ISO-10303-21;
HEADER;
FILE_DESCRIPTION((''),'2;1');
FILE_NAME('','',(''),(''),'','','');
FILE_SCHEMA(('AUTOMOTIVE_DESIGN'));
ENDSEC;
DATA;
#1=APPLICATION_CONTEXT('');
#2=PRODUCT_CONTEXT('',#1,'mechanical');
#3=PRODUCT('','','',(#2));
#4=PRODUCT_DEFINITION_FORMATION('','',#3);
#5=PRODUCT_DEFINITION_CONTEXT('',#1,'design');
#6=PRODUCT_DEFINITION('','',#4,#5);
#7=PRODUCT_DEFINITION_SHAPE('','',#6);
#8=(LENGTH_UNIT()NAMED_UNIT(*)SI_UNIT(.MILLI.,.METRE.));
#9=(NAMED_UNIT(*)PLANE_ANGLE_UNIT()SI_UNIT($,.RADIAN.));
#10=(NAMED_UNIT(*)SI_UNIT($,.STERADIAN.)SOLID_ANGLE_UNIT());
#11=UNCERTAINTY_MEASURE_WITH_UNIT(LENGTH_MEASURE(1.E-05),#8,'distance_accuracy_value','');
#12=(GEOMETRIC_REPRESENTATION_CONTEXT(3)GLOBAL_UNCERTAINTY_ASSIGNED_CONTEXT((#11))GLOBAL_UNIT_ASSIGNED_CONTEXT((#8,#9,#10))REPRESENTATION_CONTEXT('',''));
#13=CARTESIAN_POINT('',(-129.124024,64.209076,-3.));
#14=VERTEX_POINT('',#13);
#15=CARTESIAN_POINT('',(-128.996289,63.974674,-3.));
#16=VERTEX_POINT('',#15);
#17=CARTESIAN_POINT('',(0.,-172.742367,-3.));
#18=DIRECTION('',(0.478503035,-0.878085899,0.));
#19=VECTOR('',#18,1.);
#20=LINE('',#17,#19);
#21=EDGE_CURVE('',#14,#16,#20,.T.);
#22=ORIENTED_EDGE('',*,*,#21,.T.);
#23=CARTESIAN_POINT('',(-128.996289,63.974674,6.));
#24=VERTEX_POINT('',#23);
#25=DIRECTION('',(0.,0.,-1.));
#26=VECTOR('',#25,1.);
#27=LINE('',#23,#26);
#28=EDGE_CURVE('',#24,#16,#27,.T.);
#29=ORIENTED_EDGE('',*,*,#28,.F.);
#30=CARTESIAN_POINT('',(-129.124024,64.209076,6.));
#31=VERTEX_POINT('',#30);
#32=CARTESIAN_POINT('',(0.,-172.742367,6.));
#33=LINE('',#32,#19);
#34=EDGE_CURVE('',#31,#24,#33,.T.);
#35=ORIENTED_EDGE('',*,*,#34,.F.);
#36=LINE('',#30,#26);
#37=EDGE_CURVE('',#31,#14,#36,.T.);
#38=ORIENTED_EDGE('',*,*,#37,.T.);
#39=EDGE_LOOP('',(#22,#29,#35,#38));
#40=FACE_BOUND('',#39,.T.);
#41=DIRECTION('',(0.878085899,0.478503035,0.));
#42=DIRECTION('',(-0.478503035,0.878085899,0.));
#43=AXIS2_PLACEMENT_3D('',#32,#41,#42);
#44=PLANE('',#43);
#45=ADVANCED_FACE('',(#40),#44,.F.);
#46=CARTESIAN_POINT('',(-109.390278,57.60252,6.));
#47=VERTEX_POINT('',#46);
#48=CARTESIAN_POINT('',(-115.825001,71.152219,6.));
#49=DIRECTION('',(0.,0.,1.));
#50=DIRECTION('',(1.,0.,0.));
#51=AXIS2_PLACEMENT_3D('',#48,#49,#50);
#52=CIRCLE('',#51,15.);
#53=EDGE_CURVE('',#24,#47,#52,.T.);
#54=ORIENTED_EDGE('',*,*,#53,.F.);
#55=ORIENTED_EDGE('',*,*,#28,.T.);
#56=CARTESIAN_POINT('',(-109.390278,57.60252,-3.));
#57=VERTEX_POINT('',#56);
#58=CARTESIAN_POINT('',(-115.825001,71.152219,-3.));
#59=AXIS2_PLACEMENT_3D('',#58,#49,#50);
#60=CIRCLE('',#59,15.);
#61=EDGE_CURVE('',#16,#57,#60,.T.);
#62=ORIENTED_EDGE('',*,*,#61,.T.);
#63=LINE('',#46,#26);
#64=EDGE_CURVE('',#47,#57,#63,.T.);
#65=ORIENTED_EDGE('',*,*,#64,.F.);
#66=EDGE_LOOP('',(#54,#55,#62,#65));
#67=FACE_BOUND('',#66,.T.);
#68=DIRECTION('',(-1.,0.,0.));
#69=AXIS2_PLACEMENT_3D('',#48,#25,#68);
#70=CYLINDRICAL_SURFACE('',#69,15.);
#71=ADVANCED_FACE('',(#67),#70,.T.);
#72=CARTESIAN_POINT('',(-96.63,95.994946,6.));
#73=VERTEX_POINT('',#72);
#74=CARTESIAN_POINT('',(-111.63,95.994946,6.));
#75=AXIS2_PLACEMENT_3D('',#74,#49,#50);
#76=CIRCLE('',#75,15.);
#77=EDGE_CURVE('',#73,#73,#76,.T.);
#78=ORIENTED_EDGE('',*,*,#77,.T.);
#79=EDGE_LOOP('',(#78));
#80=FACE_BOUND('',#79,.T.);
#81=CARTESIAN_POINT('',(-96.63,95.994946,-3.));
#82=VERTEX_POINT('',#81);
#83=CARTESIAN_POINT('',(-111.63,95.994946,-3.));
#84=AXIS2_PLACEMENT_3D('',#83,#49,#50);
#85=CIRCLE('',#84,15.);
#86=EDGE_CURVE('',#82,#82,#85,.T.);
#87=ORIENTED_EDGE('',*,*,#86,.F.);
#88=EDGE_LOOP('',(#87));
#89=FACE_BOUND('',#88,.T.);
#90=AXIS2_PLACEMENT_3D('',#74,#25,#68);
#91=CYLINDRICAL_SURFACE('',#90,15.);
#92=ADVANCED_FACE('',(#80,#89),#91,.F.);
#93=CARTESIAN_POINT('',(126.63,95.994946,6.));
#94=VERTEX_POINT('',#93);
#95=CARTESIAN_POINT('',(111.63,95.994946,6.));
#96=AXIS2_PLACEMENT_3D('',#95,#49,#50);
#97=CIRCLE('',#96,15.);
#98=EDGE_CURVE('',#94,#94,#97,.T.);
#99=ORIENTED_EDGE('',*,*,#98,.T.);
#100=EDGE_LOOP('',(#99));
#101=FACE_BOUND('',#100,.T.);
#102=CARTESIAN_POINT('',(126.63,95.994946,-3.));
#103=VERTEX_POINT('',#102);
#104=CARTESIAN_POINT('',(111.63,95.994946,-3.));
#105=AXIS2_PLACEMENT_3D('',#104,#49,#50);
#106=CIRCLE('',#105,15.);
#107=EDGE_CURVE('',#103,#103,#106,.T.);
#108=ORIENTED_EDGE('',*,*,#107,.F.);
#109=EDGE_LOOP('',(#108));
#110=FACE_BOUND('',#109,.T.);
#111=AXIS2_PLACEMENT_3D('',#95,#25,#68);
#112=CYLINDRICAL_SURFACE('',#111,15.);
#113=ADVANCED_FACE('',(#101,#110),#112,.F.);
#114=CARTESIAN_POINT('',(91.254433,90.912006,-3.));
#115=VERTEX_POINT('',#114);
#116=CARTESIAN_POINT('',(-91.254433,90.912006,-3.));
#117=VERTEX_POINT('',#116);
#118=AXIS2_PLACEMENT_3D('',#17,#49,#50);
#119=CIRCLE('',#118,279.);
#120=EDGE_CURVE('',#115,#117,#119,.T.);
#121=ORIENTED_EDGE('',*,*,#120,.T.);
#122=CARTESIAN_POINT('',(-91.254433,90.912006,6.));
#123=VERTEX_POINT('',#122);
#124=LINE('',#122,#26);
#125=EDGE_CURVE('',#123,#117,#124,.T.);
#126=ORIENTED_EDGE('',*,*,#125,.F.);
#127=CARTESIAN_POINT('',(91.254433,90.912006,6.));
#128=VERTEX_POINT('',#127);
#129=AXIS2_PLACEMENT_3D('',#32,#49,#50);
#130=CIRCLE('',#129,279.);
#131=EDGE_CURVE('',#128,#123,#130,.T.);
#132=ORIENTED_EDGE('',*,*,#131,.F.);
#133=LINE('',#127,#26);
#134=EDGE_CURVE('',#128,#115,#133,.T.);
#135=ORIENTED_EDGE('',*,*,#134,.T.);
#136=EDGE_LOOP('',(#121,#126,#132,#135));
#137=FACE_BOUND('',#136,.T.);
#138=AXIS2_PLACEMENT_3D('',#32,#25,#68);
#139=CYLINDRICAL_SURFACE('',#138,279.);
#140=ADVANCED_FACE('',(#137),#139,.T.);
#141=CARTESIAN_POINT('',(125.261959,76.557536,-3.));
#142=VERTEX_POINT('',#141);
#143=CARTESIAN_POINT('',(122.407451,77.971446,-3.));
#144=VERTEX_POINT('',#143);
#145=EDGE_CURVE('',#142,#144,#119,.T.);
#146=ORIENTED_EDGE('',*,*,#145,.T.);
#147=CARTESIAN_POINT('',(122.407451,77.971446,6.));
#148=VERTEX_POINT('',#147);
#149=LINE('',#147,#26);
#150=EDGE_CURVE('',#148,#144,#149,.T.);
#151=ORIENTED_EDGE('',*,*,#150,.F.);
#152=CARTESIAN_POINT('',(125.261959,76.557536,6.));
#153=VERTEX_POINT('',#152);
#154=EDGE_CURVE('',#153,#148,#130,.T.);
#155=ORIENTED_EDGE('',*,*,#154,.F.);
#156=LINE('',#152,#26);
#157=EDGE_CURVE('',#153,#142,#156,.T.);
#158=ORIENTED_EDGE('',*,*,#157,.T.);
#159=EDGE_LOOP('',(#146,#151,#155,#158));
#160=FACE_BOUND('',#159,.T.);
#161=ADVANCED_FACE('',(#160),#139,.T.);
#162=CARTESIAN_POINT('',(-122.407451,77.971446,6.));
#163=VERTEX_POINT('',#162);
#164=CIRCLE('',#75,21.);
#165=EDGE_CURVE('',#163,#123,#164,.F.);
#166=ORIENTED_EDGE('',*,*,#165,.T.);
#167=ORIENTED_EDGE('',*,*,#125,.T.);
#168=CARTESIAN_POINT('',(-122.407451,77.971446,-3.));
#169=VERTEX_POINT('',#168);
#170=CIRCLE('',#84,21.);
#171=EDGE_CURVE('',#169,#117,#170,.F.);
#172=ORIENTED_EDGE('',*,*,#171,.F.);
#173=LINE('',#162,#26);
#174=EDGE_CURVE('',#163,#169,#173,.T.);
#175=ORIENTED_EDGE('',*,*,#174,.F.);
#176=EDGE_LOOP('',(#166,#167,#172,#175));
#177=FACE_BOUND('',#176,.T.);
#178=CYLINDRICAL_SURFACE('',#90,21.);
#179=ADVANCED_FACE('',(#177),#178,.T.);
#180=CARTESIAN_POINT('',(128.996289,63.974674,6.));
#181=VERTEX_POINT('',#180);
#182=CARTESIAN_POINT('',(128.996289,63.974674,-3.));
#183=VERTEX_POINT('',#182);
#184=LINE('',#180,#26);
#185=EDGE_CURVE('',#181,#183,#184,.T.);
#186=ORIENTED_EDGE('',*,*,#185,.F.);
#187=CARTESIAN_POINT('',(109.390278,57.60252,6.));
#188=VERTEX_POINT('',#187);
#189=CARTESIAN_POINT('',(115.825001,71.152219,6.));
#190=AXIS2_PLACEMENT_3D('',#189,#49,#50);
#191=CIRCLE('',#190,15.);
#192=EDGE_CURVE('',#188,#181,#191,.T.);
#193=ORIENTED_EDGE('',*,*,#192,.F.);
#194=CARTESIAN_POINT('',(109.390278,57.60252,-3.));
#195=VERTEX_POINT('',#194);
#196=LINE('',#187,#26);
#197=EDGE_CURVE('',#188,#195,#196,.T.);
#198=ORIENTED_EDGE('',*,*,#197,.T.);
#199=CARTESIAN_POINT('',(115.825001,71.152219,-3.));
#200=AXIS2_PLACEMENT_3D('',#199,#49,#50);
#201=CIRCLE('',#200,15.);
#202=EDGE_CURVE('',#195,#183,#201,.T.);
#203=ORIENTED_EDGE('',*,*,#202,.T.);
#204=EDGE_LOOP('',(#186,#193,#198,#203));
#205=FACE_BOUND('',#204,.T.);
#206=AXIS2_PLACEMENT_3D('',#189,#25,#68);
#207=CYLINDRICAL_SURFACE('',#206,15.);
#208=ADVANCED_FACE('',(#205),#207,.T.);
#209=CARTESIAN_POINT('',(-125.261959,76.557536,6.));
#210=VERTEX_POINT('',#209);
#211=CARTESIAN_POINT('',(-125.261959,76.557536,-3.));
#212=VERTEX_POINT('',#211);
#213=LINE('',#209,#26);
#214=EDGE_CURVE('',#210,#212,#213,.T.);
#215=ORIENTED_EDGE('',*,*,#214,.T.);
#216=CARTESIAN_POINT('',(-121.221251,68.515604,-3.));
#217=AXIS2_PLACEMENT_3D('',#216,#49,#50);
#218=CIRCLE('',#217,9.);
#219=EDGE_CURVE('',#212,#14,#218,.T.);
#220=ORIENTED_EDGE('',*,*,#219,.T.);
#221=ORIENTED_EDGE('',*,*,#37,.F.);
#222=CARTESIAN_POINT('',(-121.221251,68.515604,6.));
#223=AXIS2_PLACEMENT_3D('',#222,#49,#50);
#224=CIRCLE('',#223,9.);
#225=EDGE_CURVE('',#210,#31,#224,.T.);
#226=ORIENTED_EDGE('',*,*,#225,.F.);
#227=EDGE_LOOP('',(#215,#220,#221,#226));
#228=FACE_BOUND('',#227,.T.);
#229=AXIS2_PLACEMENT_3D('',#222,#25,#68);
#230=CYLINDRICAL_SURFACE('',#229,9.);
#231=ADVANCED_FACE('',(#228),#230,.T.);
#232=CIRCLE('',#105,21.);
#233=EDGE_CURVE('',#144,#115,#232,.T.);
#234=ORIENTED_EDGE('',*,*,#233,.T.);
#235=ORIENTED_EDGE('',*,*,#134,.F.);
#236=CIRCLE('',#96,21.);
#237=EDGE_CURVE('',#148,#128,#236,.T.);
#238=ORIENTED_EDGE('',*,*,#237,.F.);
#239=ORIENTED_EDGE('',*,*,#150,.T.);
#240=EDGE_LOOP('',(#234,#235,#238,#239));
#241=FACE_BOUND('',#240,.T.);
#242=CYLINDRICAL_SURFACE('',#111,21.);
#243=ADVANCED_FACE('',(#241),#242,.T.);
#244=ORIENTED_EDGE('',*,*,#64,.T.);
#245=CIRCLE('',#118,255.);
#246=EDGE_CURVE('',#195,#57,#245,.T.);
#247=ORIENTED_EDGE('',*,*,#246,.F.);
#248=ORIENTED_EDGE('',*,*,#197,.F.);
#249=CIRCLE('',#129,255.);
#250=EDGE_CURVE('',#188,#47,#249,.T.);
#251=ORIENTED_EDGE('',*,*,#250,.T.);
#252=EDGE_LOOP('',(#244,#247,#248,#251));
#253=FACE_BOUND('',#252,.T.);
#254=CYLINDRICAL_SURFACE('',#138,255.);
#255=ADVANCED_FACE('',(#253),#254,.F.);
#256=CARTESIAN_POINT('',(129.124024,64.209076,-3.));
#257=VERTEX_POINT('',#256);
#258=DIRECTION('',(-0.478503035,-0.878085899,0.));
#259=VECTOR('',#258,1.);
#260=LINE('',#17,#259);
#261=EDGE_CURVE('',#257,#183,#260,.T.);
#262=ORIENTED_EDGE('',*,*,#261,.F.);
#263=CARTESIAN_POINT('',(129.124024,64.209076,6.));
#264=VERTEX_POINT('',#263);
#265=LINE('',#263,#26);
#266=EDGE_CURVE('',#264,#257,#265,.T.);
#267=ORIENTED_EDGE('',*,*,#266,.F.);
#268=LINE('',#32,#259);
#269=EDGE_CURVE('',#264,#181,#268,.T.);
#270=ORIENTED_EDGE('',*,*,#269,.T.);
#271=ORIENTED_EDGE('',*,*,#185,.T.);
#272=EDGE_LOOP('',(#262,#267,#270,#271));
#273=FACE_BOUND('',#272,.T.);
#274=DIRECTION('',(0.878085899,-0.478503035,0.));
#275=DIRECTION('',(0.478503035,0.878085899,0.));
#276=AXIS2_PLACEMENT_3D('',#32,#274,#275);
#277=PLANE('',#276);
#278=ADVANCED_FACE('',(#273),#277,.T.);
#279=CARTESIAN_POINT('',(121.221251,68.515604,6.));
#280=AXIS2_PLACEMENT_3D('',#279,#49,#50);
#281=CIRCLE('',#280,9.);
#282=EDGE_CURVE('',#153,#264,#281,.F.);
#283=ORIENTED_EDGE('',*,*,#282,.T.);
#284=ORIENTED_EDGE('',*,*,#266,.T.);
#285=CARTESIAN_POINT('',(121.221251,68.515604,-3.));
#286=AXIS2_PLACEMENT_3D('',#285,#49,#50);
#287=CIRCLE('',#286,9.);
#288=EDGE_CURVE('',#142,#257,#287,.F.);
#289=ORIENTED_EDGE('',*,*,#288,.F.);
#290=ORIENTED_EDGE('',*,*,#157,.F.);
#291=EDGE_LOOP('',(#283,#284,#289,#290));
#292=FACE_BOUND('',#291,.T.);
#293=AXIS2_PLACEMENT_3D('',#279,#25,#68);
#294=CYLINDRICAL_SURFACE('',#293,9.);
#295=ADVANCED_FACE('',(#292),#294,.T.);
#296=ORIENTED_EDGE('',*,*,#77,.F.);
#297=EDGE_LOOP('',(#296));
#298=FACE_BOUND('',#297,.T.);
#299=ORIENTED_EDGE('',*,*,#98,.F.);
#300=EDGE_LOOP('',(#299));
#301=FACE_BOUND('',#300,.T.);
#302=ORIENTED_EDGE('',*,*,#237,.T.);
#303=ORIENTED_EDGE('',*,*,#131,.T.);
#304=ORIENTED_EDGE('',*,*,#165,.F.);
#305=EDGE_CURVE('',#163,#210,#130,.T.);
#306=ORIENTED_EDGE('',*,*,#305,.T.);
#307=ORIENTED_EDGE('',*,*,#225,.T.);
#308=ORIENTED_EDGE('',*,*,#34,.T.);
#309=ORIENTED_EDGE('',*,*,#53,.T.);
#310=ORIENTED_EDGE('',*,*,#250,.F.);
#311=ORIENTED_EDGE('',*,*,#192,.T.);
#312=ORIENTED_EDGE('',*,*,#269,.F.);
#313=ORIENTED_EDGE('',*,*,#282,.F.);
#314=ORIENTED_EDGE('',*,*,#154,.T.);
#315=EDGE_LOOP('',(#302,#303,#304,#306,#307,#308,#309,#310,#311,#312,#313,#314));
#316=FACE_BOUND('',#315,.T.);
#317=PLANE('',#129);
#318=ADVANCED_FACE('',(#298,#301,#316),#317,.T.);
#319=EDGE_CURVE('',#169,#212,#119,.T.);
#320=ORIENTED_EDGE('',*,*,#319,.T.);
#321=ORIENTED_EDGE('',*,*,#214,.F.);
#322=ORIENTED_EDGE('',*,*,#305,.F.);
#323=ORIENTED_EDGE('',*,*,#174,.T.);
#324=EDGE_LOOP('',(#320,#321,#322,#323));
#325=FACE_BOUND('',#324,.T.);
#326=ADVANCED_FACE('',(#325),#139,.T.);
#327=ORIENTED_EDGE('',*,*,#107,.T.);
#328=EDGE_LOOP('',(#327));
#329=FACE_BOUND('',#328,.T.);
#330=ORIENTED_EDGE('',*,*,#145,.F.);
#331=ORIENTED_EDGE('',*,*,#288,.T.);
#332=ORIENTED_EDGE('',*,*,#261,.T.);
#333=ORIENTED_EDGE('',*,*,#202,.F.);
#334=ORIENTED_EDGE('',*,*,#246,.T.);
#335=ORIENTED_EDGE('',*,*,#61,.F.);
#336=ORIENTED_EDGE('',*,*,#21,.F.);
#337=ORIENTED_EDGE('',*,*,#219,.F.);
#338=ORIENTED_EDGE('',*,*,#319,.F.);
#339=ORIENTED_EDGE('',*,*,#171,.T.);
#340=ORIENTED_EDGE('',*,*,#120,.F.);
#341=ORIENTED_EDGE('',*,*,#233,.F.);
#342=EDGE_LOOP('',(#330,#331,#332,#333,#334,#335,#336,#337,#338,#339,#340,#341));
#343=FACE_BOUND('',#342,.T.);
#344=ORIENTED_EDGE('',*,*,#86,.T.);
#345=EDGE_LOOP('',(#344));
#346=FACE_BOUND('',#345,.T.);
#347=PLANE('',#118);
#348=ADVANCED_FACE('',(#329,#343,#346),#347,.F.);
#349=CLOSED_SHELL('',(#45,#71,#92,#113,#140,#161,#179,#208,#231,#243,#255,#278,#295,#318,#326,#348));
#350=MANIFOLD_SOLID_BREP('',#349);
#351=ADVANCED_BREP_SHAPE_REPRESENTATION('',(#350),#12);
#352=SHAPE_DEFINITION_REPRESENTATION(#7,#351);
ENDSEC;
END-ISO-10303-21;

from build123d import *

# Parameters (mm, degrees)
SKETCH1_R           = 5
BOSS_EXTRUDE1_DEPTH = 3
SCALE1_SCALE        = 3


with BuildPart() as part:
    # Sketch1 → Boss-Extrude1 (new body)
    with BuildSketch(Plane.XY):
        with BuildLine():
            ThreePointArc((-41.753986468, 83.099967593), (-43.270314203, 81.314818292), (-43.041341374, 78.983814372))
            Line((-43.041341374, 78.983814372), (-42.998763062, 78.905680247))
            ThreePointArc((-42.998763062, 78.905680247), (-40.153807851, 76.543039354), (-36.463426148, 76.781629011))
            ThreePointArc((-36.463426148, 76.781629011), (0, 85), (36.463426148, 76.781629011))
            ThreePointArc((36.463426148, 76.781629011), (40.153807851, 76.543039354), (42.998763062, 78.905680247))
            Line((42.998763062, 78.905680247), (43.041341374, 78.983814372))
            ThreePointArc((43.041341374, 78.983814372), (43.270314203, 81.314818292), (41.753986468, 83.099967593))
            ThreePointArc((41.753986468, 83.099967593), (41.278907761, 83.336977231), (40.802483763, 83.571270894))
            ThreePointArc((40.802483763, 83.571270894), (39.895257732, 96.043575582), (30.418144359, 87.884791026))
            ThreePointArc((30.418144359, 87.884791026), (0, 93), (-30.418144359, 87.884791026))
            ThreePointArc((-30.418144359, 87.884791026), (-39.895257732, 96.043575582), (-40.802483763, 83.571270894))
            ThreePointArc((-40.802483763, 83.571270894), (-41.278907761, 83.336977231), (-41.753986468, 83.099967593))
        make_face()
        with Locations((-37.21, 89.579104148)):
            Circle(SKETCH1_R, mode=Mode.SUBTRACT)
        with Locations((37.21, 89.579104148)):
            Circle(SKETCH1_R, mode=Mode.SUBTRACT)
    extrude(amount=BOSS_EXTRUDE1_DEPTH)


with BuildPart() as part_1:
    # Scale1: scaled about (0, 86.37118339, 1.5)
    add(part.part.scale(SCALE1_SCALE).moved(Location((0, -172.74236678, -3))))


solid = part_1.part
